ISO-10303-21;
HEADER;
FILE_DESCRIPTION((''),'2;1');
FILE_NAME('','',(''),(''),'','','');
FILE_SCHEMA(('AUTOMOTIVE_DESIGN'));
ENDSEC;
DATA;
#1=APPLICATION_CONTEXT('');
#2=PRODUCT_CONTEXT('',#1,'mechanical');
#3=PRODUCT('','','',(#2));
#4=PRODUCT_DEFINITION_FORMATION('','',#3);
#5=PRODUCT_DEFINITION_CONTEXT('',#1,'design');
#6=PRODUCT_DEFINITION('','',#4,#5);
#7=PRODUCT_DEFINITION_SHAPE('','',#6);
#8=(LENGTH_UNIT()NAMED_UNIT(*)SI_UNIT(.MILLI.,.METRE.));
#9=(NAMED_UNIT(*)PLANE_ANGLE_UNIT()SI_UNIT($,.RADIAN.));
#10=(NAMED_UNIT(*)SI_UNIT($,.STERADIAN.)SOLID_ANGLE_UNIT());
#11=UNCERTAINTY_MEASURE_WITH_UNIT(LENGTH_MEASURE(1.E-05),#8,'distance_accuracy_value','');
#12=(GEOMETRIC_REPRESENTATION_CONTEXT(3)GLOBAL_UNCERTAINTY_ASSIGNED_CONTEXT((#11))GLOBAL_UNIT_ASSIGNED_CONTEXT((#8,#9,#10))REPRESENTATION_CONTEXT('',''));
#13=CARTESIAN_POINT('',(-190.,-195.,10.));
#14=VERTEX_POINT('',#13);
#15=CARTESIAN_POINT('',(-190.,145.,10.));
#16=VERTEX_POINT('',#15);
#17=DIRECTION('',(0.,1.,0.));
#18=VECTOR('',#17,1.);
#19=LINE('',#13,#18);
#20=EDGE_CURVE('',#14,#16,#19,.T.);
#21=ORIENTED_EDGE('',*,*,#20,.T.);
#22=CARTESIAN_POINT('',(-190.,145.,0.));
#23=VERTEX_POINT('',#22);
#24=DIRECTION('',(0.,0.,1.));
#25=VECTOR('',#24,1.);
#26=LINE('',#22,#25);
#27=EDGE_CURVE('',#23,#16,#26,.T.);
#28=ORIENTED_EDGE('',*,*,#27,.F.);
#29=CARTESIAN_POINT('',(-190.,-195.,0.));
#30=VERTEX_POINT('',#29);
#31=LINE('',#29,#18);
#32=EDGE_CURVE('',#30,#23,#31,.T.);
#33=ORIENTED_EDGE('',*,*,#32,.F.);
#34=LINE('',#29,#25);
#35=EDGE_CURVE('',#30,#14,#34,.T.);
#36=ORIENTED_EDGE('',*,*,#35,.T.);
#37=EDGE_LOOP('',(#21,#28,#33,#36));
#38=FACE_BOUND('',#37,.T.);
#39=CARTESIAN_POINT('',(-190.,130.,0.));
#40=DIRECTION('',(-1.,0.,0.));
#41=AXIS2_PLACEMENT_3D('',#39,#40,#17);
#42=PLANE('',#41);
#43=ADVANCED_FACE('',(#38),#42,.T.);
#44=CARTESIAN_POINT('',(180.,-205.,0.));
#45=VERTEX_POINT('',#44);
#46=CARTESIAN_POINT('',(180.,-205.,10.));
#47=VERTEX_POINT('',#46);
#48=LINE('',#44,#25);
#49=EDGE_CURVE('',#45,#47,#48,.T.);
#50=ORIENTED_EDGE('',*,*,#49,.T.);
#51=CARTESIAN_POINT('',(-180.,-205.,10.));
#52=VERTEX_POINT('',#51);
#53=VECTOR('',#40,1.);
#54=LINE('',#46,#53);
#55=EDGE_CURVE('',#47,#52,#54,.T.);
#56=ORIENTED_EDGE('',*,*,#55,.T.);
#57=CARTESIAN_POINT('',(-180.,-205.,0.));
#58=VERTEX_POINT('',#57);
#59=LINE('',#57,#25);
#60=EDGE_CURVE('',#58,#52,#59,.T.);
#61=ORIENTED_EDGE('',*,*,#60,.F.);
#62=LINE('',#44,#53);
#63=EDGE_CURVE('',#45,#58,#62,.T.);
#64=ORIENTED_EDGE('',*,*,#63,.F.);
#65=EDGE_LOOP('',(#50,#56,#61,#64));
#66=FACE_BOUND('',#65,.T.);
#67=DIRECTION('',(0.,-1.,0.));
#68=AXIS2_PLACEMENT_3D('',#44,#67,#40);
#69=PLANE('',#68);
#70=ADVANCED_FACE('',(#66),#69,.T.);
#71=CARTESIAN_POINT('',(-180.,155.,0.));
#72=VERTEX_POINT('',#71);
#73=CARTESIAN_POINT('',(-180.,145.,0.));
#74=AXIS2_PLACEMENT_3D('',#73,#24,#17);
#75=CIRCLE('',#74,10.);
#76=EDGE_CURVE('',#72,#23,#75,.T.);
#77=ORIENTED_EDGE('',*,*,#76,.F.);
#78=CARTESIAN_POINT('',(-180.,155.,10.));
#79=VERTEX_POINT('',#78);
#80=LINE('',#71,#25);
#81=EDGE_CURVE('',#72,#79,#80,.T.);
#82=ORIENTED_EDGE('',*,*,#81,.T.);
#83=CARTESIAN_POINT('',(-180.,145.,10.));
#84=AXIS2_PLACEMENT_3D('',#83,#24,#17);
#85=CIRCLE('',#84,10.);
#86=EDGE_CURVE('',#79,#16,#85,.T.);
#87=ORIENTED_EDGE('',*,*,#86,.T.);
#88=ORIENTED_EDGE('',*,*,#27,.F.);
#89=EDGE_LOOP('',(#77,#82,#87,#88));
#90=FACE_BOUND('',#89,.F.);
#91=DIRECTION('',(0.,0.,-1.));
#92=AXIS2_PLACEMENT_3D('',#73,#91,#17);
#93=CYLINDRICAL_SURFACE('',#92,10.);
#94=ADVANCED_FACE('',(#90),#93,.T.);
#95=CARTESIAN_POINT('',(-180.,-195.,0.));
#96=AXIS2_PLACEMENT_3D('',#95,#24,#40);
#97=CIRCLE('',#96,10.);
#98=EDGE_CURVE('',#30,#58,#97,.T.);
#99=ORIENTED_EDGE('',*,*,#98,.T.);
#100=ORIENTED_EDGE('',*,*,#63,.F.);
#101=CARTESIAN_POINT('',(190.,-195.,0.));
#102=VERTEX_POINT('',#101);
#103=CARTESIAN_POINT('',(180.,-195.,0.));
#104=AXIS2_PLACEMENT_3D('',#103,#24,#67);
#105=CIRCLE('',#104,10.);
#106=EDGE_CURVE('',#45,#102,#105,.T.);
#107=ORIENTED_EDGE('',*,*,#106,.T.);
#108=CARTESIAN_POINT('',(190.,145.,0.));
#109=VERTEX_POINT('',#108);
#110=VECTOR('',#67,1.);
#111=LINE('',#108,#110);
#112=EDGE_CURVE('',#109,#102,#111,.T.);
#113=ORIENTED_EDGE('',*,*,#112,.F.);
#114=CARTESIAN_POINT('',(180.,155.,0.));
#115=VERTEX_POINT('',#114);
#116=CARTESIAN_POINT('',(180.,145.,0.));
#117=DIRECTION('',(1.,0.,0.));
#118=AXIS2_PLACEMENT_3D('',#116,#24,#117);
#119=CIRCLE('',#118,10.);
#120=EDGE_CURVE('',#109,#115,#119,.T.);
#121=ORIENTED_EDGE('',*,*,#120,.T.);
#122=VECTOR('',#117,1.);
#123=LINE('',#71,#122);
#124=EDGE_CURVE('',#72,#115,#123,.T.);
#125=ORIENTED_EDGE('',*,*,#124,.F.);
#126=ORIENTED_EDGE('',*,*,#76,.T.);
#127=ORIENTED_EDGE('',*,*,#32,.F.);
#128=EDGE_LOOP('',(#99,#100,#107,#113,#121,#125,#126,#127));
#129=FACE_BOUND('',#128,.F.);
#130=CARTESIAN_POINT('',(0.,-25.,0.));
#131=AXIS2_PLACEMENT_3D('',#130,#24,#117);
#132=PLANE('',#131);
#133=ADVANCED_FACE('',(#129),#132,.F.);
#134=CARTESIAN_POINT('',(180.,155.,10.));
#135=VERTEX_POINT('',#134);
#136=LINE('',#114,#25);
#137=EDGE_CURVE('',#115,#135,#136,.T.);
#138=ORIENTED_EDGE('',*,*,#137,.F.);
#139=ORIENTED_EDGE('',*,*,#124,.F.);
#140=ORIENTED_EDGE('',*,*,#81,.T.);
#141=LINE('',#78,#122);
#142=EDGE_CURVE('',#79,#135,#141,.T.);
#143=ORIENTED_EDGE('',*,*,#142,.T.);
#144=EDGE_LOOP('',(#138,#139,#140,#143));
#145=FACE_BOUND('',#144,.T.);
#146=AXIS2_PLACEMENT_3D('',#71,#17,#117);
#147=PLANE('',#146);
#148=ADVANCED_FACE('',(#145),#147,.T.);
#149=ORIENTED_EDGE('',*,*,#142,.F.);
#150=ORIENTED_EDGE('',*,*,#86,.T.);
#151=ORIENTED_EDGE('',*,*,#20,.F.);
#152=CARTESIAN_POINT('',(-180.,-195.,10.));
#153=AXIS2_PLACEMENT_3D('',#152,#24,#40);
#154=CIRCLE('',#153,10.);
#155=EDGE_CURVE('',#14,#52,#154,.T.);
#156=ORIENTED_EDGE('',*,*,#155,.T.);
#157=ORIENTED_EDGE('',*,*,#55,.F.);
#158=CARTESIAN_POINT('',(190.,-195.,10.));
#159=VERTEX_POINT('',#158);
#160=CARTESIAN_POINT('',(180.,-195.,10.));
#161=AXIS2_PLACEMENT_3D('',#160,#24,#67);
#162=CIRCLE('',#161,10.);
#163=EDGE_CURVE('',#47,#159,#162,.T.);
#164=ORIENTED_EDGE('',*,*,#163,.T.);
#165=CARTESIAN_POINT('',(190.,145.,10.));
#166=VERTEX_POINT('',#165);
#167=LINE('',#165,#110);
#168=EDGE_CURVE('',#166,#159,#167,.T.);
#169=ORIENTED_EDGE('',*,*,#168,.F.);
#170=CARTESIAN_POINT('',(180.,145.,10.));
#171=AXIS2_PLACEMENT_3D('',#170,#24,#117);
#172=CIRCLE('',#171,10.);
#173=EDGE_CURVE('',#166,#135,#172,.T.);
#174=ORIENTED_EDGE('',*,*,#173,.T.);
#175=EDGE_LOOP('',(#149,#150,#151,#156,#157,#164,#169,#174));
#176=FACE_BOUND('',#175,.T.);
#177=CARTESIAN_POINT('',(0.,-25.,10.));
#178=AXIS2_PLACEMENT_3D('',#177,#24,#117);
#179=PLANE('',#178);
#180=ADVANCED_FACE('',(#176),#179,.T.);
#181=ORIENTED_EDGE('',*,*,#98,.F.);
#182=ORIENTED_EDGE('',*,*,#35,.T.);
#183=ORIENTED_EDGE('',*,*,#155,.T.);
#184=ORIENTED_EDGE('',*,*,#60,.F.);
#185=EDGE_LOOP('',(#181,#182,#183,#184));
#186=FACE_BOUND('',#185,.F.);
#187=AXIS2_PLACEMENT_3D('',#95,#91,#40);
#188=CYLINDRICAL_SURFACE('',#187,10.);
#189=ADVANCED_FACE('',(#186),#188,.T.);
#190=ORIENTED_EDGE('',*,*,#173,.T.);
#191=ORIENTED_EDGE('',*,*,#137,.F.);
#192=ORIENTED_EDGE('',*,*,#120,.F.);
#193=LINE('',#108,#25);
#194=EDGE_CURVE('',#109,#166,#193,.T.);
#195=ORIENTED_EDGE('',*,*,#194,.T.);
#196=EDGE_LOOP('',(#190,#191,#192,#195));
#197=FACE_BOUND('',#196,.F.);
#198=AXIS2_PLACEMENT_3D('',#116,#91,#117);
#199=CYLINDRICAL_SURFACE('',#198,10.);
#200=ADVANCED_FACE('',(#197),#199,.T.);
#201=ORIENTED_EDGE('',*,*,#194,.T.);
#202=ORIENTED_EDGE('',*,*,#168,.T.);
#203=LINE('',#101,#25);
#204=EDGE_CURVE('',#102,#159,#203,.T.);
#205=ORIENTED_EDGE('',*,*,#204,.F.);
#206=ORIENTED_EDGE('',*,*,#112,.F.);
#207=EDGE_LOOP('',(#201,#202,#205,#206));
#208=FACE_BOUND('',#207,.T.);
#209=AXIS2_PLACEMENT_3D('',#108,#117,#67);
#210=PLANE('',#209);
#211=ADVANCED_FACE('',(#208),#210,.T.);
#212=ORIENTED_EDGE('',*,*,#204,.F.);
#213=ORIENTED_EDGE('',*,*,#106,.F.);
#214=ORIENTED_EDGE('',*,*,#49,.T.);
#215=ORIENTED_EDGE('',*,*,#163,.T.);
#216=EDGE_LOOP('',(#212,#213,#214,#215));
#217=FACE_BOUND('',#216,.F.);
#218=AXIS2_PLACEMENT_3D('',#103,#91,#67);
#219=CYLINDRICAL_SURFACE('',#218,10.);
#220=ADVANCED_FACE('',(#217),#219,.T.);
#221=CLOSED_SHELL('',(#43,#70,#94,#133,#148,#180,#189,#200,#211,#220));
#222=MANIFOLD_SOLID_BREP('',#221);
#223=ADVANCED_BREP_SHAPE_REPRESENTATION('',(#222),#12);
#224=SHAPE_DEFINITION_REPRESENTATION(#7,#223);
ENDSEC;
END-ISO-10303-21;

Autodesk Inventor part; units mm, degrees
ref_plane "YZ Plane" through (0, 0, 0) normal (1, 0, 0) x (0, 1, 0)
ref_plane "XZ Plane" through (0, 0, 0) normal (0, 1, 0) x (-1, 0, 0)
ref_plane "XY Plane" through (0, 0, 0) normal (0, 0, 1) x (1, 0, 0)
ref_plane "Arbeitsebene1" through (0, -25, 0) normal (0, 0, 1) x (1, 0, 0)
sketch "Skizze1" plane through (0, -25, 0) normal (0, 0, 1) x (1, 0, 0)
  arc A0 (-170, 170) -> (-180, 160) centre (-170, 160) ccw projected
  line L0 (-170, 170) -> (170, 170) projected
  arc A1 (180, 160) -> (170, 170) centre (170, 160) ccw projected
  line L1 (180, 160) -> (180, -160) projected
  line L2 (-180, -160) -> (-180, 160) projected
  arc A2 (-180, 180) -> (-190, 170) centre (-180, 170) ccw projected
  line L3 (-190, -170) -> (-190, 170) projected
  arc A3 (-190, -170) -> (-180, -180) centre (-180, -170) ccw projected
  arc A4 (180, -180) -> (190, -170) centre (180, -170) ccw projected
  line L4 (190, 170) -> (190, -170) projected
  arc A5 (190, 170) -> (180, 180) centre (180, 170) ccw projected
  line L5 (180, 165) -> (-180, 165)
  line L6 (-190, 155) -> (-190, -155)
  line L7 (-180, -165) -> (180, -165)
  line L8 (190, -155) -> (190, 155)
  arc A6 (-190, -155) -> (-180, -165) centre (-180, -155) ccw
  arc A7 (-180, 165) -> (-190, 155) centre (-180, 155) ccw
  arc A8 (190, 155) -> (180, 165) centre (180, 155) ccw
  arc A9 (180, -165) -> (190, -155) centre (180, -155) ccw
  arc A10 (170, -170) -> (180, -160) centre (170, -160) ccw projected
  line L9 (170, -170) -> (-170, -170) projected
  arc A11 (-180, -160) -> (-170, -170) centre (-170, -160) ccw projected
  line L10 (-180, 180) -> (180, 180) projected
  line L11 (180, -180) -> (-180, -180) projected
  point P0 (0, 25)
  dimension "d0" = 10
extrude "Extrusion1" add sketch "Skizze1" along normal blind 10
properties part number "SitzflächeGlas" material "Glas"
